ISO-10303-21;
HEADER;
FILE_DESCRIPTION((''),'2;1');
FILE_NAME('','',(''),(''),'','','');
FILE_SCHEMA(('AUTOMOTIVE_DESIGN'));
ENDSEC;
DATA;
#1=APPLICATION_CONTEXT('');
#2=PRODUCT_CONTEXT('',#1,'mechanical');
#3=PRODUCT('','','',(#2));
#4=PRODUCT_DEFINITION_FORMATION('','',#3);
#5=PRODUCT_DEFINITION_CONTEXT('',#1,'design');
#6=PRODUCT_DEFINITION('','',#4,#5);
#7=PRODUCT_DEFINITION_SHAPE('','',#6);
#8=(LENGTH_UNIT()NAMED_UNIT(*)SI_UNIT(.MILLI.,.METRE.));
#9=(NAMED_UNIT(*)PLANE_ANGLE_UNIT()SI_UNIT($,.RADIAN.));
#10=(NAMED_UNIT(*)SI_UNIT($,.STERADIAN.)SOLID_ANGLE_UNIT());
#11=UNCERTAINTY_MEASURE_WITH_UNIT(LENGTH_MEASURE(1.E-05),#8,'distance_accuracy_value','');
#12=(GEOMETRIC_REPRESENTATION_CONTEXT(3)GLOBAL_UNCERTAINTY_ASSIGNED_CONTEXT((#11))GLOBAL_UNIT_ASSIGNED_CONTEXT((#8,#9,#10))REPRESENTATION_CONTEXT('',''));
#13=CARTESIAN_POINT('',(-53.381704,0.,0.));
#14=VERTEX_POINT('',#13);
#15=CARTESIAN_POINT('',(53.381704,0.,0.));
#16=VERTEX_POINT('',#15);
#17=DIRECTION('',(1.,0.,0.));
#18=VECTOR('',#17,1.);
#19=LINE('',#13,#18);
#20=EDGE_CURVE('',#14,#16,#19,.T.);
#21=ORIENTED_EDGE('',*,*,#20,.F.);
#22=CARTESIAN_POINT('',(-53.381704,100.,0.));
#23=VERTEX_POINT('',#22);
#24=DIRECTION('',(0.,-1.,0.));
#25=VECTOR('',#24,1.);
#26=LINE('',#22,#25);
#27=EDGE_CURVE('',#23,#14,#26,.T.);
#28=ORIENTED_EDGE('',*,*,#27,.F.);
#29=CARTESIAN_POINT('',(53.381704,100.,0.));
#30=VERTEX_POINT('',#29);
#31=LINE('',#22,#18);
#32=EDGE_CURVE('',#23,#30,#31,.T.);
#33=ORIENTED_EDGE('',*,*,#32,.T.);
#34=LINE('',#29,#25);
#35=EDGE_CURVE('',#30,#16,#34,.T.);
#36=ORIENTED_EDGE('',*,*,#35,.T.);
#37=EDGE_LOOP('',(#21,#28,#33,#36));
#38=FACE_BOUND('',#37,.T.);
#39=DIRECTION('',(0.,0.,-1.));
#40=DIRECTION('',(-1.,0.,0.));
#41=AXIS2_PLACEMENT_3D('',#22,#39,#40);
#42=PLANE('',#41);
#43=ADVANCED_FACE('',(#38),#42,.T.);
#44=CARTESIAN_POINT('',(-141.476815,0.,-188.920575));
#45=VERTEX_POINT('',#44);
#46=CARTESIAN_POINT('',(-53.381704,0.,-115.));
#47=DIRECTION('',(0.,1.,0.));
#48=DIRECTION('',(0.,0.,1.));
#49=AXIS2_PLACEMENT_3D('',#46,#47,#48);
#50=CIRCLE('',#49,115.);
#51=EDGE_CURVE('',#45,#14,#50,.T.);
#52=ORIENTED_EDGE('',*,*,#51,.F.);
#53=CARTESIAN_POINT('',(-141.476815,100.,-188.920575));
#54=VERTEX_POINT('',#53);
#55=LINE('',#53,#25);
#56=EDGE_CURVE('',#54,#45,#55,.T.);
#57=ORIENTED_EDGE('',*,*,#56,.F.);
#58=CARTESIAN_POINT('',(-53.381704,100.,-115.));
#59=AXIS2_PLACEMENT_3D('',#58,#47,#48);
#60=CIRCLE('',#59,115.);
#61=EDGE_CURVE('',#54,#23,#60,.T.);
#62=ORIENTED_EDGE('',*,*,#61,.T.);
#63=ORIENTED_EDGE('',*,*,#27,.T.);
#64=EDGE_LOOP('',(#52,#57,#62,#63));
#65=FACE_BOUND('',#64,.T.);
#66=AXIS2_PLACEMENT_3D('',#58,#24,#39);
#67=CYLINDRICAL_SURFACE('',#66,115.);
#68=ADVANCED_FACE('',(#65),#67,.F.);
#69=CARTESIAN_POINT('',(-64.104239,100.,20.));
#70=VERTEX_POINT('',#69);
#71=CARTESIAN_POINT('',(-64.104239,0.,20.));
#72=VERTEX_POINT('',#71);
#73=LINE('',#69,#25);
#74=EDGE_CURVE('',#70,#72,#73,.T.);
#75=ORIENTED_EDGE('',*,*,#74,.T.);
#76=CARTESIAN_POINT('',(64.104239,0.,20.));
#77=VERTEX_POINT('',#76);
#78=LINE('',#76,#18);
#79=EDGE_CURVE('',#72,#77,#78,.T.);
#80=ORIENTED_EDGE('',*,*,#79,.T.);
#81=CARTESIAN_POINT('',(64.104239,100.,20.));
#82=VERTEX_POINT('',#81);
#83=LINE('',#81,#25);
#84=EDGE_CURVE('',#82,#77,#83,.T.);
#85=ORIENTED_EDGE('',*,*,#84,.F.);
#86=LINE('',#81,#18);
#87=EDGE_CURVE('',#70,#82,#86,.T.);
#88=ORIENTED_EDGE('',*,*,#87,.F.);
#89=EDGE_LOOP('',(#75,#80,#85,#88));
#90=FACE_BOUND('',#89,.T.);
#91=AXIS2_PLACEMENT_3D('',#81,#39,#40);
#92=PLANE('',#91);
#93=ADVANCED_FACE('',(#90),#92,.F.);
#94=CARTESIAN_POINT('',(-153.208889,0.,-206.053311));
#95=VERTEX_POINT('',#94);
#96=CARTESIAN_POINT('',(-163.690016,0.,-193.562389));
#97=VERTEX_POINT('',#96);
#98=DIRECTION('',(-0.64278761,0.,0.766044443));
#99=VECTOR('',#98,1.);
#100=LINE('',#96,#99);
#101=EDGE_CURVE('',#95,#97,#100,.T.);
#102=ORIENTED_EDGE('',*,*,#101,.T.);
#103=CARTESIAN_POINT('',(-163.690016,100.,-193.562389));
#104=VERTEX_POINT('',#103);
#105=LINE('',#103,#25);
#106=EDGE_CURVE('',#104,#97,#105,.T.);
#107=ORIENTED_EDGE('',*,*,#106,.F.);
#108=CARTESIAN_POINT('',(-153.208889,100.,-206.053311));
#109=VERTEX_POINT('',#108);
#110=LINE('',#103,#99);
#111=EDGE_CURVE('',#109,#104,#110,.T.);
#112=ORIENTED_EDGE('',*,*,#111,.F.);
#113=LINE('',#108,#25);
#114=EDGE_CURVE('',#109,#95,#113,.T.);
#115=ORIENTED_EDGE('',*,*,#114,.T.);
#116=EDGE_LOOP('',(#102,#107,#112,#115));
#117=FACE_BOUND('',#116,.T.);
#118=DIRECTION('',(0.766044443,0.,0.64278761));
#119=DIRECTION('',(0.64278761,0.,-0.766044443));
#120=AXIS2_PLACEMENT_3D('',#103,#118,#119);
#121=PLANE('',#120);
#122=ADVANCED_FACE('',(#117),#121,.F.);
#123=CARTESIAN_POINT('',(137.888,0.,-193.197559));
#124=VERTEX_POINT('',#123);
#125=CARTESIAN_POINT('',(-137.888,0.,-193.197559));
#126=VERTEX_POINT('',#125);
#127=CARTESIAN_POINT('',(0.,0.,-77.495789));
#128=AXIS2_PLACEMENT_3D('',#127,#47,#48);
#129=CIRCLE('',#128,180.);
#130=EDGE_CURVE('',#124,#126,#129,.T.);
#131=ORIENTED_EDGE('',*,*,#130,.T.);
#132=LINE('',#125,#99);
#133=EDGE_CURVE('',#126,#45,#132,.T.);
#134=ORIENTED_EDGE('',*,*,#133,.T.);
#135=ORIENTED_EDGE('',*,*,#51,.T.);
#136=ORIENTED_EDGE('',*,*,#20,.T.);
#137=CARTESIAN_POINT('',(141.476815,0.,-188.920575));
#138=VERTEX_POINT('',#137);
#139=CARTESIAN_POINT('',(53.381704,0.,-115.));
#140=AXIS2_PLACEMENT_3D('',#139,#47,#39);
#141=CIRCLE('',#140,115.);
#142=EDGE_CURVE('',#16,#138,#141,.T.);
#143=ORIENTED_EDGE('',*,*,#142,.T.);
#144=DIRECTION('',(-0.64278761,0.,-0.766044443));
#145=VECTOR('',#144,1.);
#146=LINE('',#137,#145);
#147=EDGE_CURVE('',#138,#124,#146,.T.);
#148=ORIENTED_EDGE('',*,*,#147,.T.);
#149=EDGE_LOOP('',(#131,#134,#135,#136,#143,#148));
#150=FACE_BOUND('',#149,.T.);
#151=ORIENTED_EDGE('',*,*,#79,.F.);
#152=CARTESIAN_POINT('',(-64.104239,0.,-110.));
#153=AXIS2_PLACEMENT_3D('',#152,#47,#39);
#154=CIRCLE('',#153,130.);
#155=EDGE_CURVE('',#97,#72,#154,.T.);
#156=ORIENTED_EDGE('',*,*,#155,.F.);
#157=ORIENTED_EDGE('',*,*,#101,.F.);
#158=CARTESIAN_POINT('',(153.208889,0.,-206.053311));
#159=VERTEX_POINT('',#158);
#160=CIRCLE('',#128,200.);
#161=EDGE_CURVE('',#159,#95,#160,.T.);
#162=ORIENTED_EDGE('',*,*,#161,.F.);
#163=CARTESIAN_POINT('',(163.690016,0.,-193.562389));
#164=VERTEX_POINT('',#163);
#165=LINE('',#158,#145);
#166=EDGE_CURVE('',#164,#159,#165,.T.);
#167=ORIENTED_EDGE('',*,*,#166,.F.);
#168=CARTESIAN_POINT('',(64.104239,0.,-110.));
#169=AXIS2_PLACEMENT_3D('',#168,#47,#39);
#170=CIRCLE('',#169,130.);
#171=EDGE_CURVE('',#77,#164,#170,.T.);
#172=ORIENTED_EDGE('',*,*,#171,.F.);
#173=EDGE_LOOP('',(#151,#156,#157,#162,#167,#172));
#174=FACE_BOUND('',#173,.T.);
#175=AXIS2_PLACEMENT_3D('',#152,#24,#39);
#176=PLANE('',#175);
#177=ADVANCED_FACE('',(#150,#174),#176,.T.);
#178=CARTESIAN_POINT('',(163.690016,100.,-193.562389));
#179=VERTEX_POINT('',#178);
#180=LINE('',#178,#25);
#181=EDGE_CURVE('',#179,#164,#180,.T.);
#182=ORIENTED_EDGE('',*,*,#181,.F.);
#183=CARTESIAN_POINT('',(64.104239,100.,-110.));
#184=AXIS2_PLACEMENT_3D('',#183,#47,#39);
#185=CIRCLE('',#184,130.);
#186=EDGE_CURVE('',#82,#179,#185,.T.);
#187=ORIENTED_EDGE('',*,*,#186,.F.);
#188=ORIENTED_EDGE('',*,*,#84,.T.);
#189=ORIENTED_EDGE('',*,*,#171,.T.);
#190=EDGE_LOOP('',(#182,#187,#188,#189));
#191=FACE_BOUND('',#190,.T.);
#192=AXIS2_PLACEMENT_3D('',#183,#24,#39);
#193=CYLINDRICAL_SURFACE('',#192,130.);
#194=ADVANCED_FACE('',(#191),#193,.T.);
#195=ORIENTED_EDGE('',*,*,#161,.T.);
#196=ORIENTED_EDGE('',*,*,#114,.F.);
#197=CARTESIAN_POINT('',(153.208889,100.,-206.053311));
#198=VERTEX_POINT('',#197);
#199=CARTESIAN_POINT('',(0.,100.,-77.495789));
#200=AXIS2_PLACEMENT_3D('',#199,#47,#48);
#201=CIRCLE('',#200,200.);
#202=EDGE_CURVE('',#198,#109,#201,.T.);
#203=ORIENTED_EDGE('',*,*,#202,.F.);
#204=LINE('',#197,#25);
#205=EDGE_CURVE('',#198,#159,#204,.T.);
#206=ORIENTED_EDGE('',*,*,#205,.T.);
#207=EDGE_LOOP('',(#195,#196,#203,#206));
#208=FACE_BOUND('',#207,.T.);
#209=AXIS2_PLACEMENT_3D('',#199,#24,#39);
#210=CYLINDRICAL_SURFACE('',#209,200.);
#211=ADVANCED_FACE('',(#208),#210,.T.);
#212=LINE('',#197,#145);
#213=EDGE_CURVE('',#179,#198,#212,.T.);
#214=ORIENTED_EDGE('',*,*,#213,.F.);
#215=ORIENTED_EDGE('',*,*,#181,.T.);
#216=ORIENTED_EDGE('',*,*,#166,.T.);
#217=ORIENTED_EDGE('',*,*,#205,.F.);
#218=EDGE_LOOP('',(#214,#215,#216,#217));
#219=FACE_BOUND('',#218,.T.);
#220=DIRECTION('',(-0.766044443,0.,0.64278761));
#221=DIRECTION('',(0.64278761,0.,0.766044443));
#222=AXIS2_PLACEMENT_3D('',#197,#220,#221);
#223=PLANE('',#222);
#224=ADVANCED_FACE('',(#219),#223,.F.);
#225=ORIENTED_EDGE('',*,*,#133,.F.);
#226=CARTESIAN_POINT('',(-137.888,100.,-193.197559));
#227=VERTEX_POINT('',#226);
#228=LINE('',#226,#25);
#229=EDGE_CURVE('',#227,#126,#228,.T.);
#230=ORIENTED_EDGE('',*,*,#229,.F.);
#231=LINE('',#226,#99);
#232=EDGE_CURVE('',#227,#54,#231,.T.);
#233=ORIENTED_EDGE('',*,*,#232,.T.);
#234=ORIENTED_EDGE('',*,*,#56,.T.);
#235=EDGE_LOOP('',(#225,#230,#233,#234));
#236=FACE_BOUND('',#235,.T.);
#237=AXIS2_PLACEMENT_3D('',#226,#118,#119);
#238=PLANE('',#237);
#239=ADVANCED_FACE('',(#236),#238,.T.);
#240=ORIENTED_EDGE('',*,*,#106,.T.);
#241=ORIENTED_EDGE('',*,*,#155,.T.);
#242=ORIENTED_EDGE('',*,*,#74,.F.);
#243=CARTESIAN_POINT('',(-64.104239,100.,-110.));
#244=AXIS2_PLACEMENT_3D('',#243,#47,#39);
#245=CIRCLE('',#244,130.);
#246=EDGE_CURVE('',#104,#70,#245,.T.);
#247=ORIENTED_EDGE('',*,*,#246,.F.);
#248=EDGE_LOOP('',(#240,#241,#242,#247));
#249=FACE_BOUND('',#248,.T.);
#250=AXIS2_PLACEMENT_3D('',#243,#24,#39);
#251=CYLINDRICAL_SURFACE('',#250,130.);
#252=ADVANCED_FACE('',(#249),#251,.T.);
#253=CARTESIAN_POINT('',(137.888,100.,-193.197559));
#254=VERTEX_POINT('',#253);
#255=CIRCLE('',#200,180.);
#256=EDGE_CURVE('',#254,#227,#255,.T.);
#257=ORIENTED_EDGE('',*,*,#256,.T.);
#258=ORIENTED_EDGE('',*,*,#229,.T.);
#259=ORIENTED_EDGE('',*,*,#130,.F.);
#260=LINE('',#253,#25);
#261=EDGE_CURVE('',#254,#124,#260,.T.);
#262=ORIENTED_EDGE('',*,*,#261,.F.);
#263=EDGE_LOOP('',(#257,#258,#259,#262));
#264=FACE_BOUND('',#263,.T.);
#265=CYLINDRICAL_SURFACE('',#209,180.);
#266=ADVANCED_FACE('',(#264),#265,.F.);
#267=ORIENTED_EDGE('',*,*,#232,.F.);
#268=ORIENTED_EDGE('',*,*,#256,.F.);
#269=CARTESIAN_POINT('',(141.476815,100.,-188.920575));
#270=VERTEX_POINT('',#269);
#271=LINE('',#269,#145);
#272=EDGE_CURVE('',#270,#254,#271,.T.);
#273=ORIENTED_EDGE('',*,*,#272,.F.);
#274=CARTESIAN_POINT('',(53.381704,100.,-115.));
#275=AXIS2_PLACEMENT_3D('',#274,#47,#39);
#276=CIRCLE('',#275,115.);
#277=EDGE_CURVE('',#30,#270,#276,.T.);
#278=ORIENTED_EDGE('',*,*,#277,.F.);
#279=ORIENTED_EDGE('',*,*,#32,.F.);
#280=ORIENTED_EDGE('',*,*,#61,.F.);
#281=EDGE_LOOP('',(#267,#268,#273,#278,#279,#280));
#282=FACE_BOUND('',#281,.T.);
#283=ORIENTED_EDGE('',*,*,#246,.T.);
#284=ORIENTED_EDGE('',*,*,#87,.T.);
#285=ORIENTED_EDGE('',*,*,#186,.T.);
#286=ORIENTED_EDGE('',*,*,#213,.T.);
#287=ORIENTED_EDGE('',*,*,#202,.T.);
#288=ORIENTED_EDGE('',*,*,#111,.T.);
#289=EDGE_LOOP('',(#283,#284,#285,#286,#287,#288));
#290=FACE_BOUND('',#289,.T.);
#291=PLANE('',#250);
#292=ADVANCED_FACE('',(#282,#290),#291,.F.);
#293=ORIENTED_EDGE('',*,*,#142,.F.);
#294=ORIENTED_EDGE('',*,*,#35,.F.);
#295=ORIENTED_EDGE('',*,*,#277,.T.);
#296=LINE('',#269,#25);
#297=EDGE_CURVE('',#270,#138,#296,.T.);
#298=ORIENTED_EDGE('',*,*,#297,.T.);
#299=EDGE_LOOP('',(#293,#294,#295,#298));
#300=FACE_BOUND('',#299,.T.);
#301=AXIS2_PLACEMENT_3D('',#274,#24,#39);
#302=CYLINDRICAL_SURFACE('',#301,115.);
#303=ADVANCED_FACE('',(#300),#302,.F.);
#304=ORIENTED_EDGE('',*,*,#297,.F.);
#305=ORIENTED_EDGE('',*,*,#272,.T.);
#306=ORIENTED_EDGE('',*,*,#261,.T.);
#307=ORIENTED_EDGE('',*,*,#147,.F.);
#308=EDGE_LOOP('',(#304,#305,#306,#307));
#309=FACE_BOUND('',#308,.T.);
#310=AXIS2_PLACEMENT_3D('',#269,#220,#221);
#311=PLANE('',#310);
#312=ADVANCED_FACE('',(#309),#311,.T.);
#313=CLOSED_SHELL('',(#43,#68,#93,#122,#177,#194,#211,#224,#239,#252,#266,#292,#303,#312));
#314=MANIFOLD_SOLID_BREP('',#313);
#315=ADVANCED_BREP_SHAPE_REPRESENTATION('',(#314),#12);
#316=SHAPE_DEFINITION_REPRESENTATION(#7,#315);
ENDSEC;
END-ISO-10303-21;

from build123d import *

# Parameters (mm, degrees)
EXTRUDE_1_DEPTH = 100


with BuildPart() as part:
    # 草图2 → 凸台-拉伸1 (new body)
    with BuildSketch(Plane(origin=(0, 0, 0), x_dir=(1, 0, 0), z_dir=(0, 1, 0))):
        with BuildLine():
            Line((153.208888624, 206.053310881), (163.690016349, 193.562389259))
            ThreePointArc((163.690016349, 193.562389259), (181.924251059, 55.059625974), (64.104238744, -20))
            Line((64.104238744, -20), (-64.104238744, -20))
            ThreePointArc((-64.104238744, -20), (-181.924251059, 55.059625974), (-163.690016349, 193.562389259))
            Line((-163.690016349, 193.562389259), (-153.208888624, 206.053310881))
            ThreePointArc((-153.208888624, 206.053310881), (0, 277.495788943), (153.208888624, 206.053310881))
        make_face()
        with BuildLine():
            Line((141.4768151, 188.920575114), (137.887999761, 193.197558687))
            ThreePointArc((137.887999761, 193.197558687), (0, 257.495788943), (-137.887999761, 193.197558687))
            Line((-137.887999761, 193.197558687), (-141.4768151, 188.920575114))
            ThreePointArc((-141.4768151, 188.920575114), (-157.607099651, 66.3988999), (-53.381704141, 0))
            Line((-53.381704141, 0), (53.381704141, 0))
            ThreePointArc((53.381704141, 0), (157.607099651, 66.3988999), (141.4768151, 188.920575114))
        make_face(mode=Mode.SUBTRACT)
    extrude(amount=EXTRUDE_1_DEPTH)


solid = part.part
